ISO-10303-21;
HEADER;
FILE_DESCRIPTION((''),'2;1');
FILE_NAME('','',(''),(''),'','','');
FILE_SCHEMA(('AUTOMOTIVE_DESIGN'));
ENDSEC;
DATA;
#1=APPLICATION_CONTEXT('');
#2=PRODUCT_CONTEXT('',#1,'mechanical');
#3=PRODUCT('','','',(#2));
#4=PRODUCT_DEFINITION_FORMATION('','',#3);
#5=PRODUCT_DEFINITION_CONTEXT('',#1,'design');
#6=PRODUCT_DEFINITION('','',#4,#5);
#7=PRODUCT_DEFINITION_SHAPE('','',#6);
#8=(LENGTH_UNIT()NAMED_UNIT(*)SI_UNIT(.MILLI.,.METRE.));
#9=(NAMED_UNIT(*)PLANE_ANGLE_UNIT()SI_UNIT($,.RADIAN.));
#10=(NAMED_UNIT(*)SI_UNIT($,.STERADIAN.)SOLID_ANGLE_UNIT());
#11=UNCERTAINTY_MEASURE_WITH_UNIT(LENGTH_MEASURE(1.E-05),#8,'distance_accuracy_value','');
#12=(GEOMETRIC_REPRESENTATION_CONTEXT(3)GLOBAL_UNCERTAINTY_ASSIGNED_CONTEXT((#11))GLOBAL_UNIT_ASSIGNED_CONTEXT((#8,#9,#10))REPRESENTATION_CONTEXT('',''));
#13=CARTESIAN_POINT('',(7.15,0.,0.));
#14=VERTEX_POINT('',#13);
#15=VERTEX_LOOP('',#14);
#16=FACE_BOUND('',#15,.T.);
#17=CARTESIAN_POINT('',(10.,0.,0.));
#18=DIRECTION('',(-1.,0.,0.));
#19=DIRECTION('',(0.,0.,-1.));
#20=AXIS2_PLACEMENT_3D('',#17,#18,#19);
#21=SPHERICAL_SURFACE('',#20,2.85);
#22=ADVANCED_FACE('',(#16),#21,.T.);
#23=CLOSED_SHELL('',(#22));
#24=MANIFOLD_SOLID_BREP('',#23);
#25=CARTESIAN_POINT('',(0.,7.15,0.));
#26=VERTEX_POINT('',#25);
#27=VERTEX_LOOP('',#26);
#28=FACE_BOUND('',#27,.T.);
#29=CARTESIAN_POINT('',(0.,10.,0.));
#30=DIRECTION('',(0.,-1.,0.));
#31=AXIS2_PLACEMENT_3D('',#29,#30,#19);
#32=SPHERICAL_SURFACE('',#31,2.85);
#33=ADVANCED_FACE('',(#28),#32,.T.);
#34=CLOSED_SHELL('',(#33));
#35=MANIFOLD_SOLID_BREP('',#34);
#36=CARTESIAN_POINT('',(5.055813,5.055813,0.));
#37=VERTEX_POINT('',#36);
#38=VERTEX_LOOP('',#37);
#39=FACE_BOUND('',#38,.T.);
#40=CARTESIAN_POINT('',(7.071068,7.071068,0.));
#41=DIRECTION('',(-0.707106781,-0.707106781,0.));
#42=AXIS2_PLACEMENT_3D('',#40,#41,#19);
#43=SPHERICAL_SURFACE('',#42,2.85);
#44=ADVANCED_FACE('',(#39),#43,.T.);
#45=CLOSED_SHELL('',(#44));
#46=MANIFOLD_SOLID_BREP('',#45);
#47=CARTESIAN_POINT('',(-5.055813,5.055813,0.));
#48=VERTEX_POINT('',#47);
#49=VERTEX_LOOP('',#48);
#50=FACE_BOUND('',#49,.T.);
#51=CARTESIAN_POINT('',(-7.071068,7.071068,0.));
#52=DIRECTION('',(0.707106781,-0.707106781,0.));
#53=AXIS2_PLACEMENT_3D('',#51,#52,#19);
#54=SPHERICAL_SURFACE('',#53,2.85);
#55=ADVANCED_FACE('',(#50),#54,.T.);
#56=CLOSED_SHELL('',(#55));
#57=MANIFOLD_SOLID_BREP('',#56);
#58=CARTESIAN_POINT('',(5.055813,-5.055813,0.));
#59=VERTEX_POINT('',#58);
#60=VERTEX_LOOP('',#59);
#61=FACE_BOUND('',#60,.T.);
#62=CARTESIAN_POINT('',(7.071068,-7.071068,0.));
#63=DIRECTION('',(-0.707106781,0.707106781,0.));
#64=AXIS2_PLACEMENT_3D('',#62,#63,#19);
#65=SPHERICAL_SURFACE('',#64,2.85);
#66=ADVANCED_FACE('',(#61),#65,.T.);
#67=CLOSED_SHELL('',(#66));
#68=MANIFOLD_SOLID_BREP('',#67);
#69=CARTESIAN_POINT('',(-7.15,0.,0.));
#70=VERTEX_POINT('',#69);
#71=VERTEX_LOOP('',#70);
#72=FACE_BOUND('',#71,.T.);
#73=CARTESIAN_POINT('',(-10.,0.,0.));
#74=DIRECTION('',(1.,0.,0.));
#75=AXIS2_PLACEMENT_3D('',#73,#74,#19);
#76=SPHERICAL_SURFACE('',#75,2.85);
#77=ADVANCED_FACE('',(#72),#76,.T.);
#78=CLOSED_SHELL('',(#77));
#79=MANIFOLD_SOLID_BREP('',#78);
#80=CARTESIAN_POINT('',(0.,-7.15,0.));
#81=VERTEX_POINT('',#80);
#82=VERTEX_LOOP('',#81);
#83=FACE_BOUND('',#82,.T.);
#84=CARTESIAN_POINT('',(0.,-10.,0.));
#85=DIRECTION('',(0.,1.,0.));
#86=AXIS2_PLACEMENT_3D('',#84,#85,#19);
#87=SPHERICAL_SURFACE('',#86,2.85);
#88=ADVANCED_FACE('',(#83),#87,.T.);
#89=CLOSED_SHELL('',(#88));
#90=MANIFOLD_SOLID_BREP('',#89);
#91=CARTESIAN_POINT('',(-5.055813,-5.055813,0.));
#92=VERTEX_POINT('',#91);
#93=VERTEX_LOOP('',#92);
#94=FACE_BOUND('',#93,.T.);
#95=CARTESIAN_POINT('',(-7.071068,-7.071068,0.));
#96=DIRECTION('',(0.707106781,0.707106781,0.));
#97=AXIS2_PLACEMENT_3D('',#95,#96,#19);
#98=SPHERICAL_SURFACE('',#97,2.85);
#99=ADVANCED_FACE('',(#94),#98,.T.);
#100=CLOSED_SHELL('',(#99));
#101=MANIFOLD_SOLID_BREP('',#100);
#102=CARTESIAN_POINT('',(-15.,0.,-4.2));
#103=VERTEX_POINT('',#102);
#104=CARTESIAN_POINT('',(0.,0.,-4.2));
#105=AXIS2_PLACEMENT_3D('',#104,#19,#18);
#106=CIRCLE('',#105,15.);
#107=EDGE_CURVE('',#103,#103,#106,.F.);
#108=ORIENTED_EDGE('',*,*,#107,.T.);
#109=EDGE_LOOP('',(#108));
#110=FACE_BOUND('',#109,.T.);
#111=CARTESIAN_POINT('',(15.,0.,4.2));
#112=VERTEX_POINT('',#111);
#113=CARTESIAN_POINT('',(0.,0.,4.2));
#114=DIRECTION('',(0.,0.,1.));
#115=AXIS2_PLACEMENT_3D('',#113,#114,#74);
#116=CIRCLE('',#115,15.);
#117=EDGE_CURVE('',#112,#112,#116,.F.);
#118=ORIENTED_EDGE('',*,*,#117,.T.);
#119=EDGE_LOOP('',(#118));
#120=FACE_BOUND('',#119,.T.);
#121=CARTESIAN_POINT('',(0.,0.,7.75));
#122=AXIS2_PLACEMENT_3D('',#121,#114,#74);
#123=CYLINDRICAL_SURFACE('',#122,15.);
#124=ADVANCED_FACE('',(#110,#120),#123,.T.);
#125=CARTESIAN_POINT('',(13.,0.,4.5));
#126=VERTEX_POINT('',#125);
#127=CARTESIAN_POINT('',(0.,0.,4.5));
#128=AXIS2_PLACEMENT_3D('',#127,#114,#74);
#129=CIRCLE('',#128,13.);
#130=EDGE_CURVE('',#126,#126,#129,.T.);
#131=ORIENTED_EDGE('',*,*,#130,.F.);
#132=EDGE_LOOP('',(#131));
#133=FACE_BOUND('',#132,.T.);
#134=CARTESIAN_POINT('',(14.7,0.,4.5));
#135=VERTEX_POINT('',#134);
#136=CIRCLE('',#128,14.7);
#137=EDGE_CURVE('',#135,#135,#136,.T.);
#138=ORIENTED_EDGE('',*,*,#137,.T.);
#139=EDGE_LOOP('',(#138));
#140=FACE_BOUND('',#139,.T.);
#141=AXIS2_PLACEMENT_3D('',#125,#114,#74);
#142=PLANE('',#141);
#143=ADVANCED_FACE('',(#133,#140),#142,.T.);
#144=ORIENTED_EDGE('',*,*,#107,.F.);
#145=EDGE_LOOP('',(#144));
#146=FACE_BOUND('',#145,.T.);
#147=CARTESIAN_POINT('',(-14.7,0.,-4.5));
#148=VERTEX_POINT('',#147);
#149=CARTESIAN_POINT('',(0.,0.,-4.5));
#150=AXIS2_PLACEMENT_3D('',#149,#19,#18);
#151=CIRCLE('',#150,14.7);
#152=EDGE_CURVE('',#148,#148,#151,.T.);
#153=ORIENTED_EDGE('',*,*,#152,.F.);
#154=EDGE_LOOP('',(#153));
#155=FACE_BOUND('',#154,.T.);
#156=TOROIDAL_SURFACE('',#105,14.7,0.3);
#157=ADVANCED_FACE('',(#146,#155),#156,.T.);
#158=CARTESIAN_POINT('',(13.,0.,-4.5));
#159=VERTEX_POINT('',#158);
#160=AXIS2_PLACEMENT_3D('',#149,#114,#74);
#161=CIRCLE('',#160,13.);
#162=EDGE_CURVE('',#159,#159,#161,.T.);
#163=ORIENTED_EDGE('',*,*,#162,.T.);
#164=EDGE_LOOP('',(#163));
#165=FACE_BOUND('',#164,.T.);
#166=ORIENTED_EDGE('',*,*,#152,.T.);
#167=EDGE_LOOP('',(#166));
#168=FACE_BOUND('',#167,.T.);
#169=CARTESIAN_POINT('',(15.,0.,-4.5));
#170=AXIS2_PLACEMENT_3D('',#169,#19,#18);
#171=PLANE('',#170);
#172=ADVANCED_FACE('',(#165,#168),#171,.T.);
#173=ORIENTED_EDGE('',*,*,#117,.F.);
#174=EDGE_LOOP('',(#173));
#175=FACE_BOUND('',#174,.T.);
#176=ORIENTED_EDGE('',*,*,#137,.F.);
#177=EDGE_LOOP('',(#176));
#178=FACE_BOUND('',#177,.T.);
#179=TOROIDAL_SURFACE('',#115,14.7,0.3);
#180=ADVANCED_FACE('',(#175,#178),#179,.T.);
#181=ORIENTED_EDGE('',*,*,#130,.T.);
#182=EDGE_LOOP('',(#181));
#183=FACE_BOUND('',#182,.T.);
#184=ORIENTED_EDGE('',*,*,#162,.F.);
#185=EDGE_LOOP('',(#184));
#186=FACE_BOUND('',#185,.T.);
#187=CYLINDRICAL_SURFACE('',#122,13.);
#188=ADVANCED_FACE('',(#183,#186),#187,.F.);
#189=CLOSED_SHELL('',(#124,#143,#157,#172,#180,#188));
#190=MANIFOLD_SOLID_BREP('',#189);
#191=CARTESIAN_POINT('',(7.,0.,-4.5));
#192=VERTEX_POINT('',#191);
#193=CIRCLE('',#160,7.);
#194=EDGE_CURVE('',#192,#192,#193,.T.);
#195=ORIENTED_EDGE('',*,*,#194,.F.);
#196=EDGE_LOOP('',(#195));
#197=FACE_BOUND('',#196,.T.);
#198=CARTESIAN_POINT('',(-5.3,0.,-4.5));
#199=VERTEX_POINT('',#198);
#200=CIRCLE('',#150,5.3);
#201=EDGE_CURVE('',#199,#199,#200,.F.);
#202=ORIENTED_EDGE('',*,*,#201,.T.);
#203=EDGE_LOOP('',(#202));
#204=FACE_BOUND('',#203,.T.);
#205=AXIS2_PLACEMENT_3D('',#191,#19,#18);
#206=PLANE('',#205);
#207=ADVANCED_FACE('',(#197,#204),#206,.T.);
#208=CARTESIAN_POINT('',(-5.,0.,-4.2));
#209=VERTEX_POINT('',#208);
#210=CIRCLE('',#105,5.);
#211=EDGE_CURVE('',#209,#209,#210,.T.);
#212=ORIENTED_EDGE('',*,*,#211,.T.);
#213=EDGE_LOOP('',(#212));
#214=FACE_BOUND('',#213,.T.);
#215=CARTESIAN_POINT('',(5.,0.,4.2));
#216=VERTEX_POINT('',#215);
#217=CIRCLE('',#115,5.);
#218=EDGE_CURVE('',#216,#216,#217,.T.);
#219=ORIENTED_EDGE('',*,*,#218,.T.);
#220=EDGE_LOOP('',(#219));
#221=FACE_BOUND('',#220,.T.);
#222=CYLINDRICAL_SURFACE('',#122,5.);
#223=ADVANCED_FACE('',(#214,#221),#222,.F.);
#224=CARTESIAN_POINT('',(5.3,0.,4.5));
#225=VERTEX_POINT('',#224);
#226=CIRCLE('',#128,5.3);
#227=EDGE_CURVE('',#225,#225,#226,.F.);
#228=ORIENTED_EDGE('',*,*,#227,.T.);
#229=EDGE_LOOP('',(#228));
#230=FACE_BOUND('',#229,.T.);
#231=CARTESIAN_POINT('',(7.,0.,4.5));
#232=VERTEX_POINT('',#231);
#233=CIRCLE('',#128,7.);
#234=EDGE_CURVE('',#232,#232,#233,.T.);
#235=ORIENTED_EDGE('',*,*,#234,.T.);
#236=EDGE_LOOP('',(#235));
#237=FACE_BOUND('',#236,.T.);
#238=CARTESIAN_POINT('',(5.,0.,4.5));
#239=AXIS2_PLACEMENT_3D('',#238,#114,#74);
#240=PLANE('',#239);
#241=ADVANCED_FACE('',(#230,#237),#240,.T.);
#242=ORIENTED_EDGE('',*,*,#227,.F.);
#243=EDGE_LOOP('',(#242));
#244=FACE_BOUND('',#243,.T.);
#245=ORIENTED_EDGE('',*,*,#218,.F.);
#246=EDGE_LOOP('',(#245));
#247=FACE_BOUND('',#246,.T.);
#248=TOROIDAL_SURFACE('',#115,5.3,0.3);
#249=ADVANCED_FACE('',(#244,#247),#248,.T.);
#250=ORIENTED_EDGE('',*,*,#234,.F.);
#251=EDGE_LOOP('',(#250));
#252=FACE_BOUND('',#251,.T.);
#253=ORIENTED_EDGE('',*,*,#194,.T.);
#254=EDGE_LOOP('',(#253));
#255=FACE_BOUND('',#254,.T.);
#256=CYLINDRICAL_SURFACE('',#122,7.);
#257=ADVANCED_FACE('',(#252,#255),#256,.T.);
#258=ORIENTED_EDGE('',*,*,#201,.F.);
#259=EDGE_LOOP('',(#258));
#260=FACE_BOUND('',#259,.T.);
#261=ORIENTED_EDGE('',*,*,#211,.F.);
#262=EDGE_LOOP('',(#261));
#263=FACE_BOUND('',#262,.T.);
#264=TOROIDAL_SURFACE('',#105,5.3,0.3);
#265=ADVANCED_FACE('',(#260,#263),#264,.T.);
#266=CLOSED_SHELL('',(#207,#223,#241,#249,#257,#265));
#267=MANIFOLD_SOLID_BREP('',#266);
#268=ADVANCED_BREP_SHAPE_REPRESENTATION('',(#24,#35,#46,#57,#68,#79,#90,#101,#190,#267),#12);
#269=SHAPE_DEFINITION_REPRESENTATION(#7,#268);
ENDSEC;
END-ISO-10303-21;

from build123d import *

# Parameters (mm, degrees)
INNERS_W           = 2
INNERS_H           = 9
OUTERS_W           = 2
OUTERS_H           = 9
BALLSPATTERN_COUNT = 8
FILLET_F1_R        = 0.3
FILLET_F2_R        = 0.3


with BuildPart() as part:
    # InnerS → InnerRing (revolve)
    with BuildSketch(Plane(origin=(0, 0, 0), x_dir=(1, 0, 0), z_dir=(0, 1, 0))):
        with Locations((6, 0)):
            Rectangle(INNERS_W, INNERS_H)
    revolve(axis=Axis((0, 0, 7.75), (0, 0, -1)))

    # Fillet F1
    fillet_f1_edges = [part.edges().sort_by_distance(p)[0] for p in [
        (-5, 0, -4.5),
        (-5, 0, 4.5),
    ]]
    fillet(fillet_f1_edges, radius=FILLET_F1_R)


with BuildPart() as body_2:
    # OuterS → OuterRing (revolve)
    with BuildSketch(Plane(origin=(0, 0, 0), x_dir=(1, 0, 0), z_dir=(0, 1, 0))):
        with Locations((14, 0)):
            Rectangle(OUTERS_W, OUTERS_H)
    revolve(axis=Axis((0, 0, 7.75), (0, 0, -1)))

    # Fillet F2
    fillet_f2_edges = [body_2.edges().sort_by_distance(p)[0] for p in [
        (-15, 0, -4.5),
        (-15, 0, 4.5),
    ]]
    fillet(fillet_f2_edges, radius=FILLET_F2_R)


with BuildPart() as body_3:
    # BallS → Ball (revolve)
    with BuildSketch(Plane(origin=(0, 0, 0), x_dir=(1, 0, 0), z_dir=(0, 1, 0))):
        with BuildLine():
            Line((7.15, 0), (12.85, 0))
            ThreePointArc((12.85, 0), (10, -2.85), (7.15, 0))
        make_face()
    revolve(axis=Axis((7.15, 0, 0), (1, 0, 0)))


with BuildPart() as ballspattern_1:
    # BallsPattern: pattern copy
    add(body_3.part.rotate(Axis((0, 0, -4.95), (0, 0, 1)), 1 * 360 / BALLSPATTERN_COUNT))


with BuildPart() as ballspattern_2:
    # BallsPattern: pattern copy
    add(body_3.part.rotate(Axis((0, 0, -4.95), (0, 0, 1)), 2 * 360 / BALLSPATTERN_COUNT))


with BuildPart() as ballspattern_3:
    # BallsPattern: pattern copy
    add(body_3.part.rotate(Axis((0, 0, -4.95), (0, 0, 1)), 3 * 360 / BALLSPATTERN_COUNT))


with BuildPart() as ballspattern_4:
    # BallsPattern: pattern copy
    add(body_3.part.rotate(Axis((0, 0, -4.95), (0, 0, 1)), 4 * 360 / BALLSPATTERN_COUNT))


with BuildPart() as ballspattern_5:
    # BallsPattern: pattern copy
    add(body_3.part.rotate(Axis((0, 0, -4.95), (0, 0, 1)), 5 * 360 / BALLSPATTERN_COUNT))


with BuildPart() as ballspattern_6:
    # BallsPattern: pattern copy
    add(body_3.part.rotate(Axis((0, 0, -4.95), (0, 0, 1)), 6 * 360 / BALLSPATTERN_COUNT))


with BuildPart() as ballspattern_7:
    # BallsPattern: pattern copy
    add(body_3.part.rotate(Axis((0, 0, -4.95), (0, 0, 1)), 7 * 360 / BALLSPATTERN_COUNT))


solid = Compound([part.part, body_2.part, body_3.part, ballspattern_1.part, ballspattern_2.part, ballspattern_3.part, ballspattern_4.part, ballspattern_5.part, ballspattern_6.part, ballspattern_7.part])
